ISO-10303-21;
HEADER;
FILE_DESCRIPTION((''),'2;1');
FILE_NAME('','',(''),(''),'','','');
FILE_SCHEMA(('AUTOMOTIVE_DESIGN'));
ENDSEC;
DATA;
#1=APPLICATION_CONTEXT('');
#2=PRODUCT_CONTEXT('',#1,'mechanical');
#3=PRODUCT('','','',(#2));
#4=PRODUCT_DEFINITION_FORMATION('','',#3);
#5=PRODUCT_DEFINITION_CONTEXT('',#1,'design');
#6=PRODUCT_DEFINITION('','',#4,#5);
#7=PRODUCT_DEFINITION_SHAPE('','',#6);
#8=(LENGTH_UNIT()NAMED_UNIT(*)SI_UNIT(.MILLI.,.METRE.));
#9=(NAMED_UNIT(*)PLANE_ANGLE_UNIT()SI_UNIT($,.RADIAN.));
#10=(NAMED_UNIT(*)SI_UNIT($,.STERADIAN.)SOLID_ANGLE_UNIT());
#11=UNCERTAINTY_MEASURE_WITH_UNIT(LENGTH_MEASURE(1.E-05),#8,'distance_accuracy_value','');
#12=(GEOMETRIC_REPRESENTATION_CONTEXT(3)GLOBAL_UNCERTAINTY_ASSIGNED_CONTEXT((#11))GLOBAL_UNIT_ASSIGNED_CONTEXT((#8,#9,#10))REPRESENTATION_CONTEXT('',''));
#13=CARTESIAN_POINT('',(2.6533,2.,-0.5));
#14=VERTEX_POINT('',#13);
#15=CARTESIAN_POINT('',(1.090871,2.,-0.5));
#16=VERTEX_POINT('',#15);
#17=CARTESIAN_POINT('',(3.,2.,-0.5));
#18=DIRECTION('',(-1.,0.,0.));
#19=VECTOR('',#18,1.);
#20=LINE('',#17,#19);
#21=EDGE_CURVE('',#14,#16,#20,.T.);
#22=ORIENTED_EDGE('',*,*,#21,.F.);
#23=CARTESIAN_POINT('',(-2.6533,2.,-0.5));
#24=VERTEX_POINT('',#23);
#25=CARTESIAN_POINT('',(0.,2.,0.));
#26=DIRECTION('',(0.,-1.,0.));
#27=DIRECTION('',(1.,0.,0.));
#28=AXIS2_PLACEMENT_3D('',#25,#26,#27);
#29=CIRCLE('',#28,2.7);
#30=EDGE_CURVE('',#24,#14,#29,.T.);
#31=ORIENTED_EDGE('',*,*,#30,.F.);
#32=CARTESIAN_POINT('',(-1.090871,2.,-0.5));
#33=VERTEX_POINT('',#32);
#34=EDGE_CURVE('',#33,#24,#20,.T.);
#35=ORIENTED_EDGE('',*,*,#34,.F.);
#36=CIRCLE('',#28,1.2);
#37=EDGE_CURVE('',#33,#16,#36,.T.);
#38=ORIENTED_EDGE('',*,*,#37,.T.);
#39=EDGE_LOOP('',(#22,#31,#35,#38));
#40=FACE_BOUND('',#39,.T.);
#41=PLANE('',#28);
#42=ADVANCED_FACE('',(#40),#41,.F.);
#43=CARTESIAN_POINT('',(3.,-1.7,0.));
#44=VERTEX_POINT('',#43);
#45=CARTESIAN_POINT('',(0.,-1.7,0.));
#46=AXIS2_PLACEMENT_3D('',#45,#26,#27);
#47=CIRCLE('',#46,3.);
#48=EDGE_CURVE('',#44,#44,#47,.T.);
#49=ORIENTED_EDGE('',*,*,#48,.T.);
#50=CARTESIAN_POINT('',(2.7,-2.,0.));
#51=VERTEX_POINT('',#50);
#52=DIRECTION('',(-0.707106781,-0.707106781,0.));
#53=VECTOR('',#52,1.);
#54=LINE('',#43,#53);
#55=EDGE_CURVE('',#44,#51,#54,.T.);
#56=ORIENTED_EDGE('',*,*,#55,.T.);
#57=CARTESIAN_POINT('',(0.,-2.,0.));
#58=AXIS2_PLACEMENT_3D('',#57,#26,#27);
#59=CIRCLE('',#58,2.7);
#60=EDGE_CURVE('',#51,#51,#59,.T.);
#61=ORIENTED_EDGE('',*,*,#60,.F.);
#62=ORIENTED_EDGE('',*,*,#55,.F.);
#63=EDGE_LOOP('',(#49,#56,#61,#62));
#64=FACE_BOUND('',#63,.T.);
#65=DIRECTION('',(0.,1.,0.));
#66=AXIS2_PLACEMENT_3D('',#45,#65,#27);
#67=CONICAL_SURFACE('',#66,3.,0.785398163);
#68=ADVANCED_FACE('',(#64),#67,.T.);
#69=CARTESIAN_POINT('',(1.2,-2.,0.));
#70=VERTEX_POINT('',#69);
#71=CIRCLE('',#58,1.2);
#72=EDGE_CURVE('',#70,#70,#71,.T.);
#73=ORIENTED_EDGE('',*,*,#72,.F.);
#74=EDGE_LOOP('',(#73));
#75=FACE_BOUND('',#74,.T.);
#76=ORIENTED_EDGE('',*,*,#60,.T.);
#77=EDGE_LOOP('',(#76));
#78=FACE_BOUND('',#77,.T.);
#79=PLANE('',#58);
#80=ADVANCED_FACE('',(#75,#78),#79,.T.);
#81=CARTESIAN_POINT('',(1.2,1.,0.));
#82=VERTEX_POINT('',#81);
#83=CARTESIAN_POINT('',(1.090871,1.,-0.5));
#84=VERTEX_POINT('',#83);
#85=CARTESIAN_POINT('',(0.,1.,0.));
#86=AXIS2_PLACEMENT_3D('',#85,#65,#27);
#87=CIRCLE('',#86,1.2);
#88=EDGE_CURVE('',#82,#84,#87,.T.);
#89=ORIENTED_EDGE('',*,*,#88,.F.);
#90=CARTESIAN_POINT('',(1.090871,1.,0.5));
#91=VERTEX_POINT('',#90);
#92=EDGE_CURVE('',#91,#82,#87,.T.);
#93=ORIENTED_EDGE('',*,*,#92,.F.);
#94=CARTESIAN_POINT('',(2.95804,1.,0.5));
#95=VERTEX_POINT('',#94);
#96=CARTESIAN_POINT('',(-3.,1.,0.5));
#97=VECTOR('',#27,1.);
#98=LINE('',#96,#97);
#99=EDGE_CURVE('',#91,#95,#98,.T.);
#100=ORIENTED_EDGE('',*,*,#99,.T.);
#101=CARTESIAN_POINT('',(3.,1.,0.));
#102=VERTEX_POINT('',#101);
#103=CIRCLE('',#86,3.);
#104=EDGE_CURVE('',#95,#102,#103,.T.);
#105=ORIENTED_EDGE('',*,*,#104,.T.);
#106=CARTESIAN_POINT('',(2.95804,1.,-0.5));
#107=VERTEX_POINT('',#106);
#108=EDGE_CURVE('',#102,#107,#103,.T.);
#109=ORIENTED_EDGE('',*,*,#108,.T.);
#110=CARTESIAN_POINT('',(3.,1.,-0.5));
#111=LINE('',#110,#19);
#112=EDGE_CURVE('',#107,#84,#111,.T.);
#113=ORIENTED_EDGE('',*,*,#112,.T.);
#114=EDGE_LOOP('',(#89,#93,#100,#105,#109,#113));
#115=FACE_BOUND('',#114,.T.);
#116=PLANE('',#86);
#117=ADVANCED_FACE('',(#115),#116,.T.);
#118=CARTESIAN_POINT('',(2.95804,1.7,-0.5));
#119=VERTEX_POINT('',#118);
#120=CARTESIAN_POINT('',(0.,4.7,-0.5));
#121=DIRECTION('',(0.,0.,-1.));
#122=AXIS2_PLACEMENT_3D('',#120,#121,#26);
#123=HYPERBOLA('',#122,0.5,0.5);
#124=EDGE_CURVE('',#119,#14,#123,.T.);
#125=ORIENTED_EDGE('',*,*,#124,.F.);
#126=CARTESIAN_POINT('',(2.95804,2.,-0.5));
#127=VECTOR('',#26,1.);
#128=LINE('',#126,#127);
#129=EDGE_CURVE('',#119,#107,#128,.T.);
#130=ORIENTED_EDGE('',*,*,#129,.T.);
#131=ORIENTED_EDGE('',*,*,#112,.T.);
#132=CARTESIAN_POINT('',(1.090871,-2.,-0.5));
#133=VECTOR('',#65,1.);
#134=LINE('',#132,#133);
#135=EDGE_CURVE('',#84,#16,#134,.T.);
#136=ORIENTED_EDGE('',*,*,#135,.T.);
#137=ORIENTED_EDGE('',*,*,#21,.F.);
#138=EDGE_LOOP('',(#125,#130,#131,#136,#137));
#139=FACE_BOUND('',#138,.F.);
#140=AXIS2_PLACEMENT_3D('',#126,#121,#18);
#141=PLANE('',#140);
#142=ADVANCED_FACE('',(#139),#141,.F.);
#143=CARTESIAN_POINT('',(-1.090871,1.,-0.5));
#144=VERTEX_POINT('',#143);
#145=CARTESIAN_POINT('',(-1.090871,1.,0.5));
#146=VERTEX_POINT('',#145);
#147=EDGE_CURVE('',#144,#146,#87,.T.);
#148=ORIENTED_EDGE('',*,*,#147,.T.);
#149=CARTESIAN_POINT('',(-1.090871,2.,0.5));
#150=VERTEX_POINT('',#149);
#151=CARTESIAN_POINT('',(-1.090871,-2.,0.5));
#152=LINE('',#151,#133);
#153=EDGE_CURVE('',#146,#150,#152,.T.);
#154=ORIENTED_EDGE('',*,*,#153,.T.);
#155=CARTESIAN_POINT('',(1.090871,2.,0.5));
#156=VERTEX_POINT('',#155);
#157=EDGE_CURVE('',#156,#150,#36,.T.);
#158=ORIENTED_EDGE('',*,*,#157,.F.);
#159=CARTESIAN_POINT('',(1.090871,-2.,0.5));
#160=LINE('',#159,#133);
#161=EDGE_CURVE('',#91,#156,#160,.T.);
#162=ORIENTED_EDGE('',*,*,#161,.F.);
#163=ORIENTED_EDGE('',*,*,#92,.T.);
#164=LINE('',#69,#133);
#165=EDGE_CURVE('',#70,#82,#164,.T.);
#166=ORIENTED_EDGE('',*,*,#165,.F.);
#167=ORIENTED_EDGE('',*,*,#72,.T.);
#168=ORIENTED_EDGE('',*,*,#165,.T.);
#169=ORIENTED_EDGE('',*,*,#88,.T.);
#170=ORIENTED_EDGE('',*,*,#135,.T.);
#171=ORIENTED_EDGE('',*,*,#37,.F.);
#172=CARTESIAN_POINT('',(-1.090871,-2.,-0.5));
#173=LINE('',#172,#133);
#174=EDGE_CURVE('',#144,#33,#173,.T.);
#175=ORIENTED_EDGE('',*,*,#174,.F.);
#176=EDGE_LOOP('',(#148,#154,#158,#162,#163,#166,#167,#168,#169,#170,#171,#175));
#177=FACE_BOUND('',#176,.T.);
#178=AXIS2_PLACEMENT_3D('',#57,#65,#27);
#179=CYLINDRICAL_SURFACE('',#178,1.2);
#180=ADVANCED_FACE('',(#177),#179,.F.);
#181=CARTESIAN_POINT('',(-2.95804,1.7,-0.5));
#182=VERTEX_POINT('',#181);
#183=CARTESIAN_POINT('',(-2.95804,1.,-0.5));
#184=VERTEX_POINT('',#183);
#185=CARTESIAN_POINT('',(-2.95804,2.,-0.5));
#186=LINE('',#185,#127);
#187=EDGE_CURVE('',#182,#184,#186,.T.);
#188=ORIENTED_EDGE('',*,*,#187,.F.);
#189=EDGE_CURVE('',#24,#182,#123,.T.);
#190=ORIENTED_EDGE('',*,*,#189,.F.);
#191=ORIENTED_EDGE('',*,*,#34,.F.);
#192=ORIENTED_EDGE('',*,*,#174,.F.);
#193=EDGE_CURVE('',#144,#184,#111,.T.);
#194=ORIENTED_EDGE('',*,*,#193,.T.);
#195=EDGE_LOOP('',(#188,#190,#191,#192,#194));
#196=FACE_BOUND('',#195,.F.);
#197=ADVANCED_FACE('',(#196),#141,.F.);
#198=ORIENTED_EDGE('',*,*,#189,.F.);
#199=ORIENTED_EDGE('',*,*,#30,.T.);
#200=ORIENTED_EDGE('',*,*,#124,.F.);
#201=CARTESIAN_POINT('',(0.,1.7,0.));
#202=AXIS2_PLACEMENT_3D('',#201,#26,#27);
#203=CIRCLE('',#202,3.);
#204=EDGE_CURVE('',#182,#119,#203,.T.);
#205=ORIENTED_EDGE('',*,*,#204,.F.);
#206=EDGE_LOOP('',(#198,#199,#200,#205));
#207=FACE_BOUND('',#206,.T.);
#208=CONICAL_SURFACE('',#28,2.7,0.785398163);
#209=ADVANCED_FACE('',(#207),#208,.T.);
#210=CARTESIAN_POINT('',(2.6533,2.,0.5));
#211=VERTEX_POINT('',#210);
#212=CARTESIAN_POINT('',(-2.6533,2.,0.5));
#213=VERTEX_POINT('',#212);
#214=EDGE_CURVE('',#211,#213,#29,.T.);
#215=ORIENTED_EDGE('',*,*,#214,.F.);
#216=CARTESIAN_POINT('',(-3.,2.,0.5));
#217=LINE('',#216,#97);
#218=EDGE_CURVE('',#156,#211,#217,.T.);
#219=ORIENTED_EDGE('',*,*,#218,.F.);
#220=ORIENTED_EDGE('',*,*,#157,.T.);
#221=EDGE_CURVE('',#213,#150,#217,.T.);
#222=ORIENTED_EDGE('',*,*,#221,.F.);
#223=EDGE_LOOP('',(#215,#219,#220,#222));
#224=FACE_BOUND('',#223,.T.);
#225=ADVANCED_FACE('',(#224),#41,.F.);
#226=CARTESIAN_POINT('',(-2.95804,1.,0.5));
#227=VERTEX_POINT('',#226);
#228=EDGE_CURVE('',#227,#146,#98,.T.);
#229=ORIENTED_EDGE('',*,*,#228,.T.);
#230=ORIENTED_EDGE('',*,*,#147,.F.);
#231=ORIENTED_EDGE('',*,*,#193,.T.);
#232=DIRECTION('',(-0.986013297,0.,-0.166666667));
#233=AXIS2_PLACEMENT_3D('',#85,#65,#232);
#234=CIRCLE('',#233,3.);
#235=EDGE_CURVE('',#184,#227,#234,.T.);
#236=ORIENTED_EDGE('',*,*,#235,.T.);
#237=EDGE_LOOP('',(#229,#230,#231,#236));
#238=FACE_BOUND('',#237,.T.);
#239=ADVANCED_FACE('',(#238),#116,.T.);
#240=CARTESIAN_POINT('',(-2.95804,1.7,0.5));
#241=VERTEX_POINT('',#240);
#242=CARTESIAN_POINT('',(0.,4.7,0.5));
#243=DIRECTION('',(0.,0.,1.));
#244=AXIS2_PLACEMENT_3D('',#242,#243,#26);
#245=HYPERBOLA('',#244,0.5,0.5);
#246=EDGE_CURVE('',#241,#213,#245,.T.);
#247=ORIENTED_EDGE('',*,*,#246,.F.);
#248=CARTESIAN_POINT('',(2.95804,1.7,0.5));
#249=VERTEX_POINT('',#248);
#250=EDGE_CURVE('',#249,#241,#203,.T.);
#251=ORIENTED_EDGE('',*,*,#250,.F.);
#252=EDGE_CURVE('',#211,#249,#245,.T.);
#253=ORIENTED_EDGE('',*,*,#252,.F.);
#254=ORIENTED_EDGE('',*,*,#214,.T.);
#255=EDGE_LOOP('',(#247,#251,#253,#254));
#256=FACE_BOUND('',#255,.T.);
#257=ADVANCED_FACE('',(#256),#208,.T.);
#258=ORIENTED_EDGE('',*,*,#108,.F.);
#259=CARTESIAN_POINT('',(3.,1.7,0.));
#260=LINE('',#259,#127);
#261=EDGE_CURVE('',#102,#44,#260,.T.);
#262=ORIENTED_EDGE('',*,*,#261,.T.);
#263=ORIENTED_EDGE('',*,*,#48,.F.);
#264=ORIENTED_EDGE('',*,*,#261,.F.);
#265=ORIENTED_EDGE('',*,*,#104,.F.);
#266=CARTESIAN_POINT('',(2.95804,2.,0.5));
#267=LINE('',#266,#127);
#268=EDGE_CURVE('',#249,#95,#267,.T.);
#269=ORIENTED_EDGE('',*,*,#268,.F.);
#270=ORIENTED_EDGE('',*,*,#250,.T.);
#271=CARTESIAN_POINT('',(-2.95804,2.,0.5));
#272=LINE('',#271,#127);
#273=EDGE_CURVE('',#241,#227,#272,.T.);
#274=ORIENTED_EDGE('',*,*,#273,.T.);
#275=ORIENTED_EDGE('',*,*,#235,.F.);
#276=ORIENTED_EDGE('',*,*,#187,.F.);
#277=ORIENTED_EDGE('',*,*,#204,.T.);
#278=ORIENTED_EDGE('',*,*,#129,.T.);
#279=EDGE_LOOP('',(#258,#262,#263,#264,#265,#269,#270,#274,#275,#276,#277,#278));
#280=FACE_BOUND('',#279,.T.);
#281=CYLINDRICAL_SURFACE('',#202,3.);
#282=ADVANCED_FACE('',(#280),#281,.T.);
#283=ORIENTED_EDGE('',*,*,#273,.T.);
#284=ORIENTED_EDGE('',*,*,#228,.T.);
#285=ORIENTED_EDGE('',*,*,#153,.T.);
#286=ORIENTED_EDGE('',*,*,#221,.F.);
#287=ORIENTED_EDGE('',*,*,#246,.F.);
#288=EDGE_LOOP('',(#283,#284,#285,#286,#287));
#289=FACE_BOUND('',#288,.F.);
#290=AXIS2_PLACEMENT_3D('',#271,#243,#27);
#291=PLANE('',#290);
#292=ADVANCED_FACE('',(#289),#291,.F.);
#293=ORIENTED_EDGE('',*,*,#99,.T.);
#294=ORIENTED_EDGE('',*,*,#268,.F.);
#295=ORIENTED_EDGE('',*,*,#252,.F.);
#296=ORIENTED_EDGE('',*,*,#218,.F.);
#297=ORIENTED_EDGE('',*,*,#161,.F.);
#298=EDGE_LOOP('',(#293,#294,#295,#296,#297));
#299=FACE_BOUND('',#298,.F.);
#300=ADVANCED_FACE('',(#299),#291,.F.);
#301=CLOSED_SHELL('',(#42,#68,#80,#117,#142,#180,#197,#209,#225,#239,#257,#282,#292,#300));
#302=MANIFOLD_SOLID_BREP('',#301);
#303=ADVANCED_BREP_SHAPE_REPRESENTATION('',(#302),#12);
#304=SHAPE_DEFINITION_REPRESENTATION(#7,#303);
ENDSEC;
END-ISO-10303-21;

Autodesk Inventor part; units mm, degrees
ref_plane "YZ Plane" through (0, 0, 0) normal (1, 0, 0) x (0, 1, 0)
ref_plane "XZ Plane" through (0, 0, 0) normal (0, 1, 0) x (-1, 0, 0)
ref_plane "XY Plane" through (0, 0, 0) normal (0, 0, 1) x (1, 0, 0)
sketch "スケッチ1" plane through (0, 0, 0) normal (0, 0, 1) x (1, 0, 0)
  line L0 (1.2, -2) -> (1.2, 2)
  line L1 (1.2, 2) -> (2.7, 2)
  line L2 (2.7, 2) -> (3, 1.7)
  line L3 (3, 1.7) -> (3, -1.7)
  line L4 (0, 6.4765) -> (0, -6.4765) construction
  line L5 (3, -1.7) -> (2.7, -2)
  line L6 (2.7, -2) -> (1.2, -2)
  point P0 (0, 0)
  point P1 (0, 0)
  point P2 (0, 0)
  point P3 (1.2, 0)
  point P4 (3, 0)
  dimension "d0" = 6
  dimension "d1" = 2.4
  dimension "d2" = 4
  dimension "d3" = 0.3
  dimension "d4" = 0.3
revolve "回転1" add sketch "スケッチ1" angle 360 about axis through (0, 6.4765, 0) along (0, -1, 0)
sketch "スケッチ2" plane through (0, 2, 0) normal (0, 1, 0) x (1, 0, 0)
  line L0 (-3, -0.5) -> (3, -0.5)
  line L1 (3, -0.5) -> (3, 0.5)
  line L2 (3, 0.5) -> (-3, 0.5)
  line L3 (-3, 0.5) -> (-3, -0.5)
  line L4 (-3, -0.5) -> (3, 0.5) construction
  line L5 (3, -0.5) -> (-3, 0.5) construction
  circle A0 centre (0, 0) radius 3 projected
  point P0 (0, 0)
  point P1 (2.958, -0.5)
  point P2 (2.958, 0.5)
  point P3 (-2.958, 0.5)
  point P4 (-2.958, -0.5)
  dimension "d6" = 1
extrude "押し出し1" cut sketch "スケッチ2" against normal blind 1 contours A0 L2 L0
equation "\"d4\" = d3"
properties part number "ARU-304S" material "ステンレス鋼 440C"
